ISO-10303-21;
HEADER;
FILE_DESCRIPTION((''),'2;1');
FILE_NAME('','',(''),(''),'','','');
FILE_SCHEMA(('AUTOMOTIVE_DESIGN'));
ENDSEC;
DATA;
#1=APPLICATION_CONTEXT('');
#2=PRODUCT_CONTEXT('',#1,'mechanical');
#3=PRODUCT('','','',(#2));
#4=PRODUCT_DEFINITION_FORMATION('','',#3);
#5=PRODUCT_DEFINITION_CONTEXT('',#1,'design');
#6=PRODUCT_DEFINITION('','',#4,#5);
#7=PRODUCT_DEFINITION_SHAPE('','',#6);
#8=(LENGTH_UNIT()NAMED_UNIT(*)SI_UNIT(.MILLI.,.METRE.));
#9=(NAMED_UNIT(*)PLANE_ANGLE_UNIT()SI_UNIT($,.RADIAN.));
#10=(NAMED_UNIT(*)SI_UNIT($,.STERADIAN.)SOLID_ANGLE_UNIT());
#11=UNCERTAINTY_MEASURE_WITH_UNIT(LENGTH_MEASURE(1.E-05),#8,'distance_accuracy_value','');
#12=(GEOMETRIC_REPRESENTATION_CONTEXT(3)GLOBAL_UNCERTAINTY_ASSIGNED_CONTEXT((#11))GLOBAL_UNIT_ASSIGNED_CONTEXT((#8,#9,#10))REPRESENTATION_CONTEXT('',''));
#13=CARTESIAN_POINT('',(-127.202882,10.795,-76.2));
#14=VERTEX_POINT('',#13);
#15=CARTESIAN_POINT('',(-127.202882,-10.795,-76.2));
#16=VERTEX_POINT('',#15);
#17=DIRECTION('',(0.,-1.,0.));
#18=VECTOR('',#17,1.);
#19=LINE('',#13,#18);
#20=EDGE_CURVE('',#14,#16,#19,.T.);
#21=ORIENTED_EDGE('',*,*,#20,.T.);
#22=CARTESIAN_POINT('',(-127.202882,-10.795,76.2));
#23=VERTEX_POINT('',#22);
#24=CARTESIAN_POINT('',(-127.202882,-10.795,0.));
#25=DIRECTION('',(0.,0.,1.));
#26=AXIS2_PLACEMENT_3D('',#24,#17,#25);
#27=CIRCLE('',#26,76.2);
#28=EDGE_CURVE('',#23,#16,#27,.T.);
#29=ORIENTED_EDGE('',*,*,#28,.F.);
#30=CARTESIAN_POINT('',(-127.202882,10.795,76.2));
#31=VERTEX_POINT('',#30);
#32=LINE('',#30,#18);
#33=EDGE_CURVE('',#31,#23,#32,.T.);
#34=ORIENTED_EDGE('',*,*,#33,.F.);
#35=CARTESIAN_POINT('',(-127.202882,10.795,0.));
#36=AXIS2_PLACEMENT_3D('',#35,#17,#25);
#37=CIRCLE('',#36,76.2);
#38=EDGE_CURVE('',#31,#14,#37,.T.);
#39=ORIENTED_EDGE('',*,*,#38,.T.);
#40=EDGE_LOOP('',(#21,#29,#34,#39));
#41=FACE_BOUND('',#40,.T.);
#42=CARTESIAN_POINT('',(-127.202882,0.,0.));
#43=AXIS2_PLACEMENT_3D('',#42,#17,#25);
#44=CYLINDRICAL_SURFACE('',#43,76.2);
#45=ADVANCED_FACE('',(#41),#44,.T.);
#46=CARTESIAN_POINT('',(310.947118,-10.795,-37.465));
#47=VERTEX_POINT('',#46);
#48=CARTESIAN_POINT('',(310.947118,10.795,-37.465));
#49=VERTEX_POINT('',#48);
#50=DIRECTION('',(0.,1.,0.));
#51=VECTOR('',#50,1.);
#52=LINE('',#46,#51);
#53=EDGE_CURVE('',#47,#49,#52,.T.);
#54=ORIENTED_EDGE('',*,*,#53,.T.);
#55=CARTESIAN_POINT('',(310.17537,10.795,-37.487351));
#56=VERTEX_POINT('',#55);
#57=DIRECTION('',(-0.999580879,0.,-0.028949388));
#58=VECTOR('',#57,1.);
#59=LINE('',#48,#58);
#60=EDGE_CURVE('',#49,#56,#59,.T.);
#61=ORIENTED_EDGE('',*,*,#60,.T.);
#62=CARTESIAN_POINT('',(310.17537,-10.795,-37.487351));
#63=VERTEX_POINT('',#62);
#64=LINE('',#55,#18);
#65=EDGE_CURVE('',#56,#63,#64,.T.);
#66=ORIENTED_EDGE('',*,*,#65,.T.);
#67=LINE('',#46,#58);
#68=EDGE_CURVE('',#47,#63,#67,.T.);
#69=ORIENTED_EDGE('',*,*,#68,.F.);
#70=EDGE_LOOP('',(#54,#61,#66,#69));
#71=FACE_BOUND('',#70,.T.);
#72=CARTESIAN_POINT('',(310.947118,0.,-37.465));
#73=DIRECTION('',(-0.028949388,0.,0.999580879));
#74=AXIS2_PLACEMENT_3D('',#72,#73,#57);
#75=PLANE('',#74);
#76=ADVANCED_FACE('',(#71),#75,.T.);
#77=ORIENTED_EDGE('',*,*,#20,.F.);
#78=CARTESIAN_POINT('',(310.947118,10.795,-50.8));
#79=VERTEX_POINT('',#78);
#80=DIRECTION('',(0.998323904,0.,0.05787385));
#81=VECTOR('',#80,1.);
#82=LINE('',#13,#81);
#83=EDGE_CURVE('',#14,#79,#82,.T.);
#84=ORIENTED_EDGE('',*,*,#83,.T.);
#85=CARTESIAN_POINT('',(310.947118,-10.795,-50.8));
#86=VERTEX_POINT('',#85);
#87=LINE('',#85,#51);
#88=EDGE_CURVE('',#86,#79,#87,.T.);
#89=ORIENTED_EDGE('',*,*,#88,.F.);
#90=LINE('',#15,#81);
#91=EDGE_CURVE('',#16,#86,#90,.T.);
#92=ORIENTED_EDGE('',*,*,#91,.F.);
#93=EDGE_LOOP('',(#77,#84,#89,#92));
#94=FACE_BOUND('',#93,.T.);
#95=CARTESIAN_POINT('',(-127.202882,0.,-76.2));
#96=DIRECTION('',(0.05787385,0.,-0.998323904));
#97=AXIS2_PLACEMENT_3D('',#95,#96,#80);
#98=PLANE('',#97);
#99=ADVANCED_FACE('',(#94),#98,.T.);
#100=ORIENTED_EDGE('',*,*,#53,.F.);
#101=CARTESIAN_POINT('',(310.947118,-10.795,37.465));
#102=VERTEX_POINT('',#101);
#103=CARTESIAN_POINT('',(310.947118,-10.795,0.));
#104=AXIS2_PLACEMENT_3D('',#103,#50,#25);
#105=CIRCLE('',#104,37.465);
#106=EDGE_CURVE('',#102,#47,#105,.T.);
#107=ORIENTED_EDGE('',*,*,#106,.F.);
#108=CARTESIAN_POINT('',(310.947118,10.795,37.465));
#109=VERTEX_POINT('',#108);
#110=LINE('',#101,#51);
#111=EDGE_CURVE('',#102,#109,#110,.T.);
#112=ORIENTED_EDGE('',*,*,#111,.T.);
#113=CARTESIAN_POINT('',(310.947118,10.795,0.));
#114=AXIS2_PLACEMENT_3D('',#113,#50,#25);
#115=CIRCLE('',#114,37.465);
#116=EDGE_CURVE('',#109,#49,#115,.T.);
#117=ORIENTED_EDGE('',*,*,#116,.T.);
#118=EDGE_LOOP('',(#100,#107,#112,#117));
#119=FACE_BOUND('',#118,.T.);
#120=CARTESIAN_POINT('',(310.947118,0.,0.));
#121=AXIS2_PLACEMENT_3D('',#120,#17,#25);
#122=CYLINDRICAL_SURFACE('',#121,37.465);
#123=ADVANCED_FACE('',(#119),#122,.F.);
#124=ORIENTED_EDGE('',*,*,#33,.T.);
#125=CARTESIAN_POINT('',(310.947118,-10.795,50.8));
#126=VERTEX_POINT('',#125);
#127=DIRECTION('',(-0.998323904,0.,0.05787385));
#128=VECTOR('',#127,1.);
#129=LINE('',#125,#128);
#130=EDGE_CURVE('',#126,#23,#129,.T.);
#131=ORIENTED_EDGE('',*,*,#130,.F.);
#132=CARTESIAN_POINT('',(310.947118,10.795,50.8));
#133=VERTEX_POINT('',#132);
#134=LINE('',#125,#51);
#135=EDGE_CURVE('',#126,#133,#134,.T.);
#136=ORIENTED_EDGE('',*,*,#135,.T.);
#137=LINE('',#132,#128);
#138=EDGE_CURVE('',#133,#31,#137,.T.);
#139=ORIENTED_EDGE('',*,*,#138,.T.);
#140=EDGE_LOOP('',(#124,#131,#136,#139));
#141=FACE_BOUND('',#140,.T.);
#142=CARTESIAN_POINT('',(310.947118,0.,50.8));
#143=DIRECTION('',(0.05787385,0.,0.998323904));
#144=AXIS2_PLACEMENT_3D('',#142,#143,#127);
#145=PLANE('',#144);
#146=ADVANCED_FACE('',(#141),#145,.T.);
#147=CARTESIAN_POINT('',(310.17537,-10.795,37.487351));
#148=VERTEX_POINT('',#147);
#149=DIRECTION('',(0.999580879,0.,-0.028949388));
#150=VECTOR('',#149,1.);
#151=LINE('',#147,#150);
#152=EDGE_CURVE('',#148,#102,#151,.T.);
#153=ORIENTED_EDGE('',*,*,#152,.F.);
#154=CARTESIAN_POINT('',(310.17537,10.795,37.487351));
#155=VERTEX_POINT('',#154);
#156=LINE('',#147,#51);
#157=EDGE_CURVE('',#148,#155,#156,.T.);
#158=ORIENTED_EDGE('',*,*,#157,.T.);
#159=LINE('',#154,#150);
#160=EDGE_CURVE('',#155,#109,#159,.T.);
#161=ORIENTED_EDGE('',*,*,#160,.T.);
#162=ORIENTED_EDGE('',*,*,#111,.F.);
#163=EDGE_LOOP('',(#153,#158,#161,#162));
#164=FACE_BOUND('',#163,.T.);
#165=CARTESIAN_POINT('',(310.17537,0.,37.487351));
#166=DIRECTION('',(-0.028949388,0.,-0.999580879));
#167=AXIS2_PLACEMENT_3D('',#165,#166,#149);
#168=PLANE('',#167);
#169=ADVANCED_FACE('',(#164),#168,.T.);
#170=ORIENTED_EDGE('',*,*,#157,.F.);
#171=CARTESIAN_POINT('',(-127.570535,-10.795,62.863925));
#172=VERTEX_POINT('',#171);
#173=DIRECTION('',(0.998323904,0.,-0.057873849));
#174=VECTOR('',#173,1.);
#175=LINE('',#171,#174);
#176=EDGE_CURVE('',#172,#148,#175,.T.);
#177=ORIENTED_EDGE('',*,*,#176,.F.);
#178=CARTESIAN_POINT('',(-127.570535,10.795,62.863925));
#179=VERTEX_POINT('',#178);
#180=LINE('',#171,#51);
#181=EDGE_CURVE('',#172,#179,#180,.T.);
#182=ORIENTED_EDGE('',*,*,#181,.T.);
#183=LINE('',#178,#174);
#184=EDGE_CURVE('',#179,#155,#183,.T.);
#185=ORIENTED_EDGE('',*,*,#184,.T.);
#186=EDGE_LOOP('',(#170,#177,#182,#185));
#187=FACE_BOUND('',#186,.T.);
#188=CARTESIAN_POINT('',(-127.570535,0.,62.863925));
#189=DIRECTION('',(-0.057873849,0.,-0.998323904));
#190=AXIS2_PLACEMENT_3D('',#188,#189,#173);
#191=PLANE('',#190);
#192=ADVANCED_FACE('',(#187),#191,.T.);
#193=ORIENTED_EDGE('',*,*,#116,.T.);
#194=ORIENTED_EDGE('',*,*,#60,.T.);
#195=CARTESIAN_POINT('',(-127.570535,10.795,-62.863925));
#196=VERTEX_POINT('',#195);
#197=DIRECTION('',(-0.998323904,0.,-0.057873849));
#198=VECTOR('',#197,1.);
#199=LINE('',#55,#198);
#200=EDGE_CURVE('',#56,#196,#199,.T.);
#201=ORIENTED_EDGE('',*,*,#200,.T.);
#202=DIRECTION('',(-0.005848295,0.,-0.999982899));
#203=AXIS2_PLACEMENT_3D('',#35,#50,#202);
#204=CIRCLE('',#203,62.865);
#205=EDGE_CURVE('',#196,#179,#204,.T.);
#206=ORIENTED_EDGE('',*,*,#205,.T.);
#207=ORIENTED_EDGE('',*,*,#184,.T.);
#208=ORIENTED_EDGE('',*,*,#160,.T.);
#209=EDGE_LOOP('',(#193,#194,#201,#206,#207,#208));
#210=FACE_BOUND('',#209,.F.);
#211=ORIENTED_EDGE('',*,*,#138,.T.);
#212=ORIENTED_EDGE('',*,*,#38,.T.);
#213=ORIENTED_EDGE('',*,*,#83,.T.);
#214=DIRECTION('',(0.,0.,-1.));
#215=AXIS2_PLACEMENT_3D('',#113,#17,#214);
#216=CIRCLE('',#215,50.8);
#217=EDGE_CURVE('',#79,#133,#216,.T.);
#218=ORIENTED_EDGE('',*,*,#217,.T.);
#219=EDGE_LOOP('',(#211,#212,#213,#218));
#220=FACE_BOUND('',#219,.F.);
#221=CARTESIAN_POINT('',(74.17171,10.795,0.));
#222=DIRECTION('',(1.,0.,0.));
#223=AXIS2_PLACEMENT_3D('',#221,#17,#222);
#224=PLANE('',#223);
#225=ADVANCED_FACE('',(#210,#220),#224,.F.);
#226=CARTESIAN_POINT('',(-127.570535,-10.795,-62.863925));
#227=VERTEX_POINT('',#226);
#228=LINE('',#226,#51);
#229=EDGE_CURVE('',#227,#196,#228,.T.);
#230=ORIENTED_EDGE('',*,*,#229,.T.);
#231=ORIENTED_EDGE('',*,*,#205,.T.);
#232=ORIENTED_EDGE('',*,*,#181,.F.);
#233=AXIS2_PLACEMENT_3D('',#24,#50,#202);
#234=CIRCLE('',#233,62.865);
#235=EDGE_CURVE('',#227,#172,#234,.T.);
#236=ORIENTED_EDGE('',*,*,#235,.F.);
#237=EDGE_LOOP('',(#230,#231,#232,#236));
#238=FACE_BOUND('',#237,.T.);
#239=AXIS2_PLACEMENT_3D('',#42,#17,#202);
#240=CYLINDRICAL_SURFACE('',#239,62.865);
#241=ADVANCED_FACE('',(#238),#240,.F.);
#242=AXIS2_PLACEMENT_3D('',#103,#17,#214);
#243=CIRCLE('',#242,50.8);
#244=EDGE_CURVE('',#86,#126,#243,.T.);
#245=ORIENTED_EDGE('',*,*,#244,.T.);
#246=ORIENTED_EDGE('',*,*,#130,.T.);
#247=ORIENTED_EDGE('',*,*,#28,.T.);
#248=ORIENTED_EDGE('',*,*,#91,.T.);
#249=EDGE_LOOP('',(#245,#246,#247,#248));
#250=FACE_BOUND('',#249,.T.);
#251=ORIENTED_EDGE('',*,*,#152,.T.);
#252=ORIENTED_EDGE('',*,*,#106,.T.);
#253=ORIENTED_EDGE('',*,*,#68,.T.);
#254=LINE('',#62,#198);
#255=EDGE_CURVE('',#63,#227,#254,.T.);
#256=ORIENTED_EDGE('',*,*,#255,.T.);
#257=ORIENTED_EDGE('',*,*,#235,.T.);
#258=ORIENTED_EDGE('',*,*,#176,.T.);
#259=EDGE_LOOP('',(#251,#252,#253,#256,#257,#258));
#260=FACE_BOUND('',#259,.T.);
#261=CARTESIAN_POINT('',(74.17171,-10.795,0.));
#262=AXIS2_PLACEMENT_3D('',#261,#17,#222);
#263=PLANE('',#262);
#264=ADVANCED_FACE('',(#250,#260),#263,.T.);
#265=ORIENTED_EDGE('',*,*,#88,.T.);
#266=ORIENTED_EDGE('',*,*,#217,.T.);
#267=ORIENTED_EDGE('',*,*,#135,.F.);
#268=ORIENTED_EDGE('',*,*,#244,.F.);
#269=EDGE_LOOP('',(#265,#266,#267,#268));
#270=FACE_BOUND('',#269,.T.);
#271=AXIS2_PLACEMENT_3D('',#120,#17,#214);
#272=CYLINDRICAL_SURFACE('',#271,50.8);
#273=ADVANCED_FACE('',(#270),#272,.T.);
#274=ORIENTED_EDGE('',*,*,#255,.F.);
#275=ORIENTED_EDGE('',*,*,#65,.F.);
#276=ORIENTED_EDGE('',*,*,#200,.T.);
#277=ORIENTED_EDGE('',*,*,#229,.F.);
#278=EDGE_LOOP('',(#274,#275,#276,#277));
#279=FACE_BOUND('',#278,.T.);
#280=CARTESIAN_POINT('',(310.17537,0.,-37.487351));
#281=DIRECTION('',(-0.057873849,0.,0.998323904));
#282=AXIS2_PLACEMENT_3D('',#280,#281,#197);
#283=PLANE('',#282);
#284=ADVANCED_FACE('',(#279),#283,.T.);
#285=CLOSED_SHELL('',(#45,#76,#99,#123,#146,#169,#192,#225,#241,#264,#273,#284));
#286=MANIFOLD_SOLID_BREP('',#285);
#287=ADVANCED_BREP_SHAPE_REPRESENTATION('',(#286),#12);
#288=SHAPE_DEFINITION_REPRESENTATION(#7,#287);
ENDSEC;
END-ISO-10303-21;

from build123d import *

# Parameters (mm, degrees)
F1_DEPTH = 10.795


with BuildPart() as f1:
    # F0 (on Front) → F1 (new body, symmetric)
    with BuildSketch(Plane.XZ):
        with BuildLine():
            Line((310.947118, 50.8), (-127.202882, 76.2))
            ThreePointArc((-127.202882, 76.2), (-203.402882, 0), (-127.202882, -76.2))
            Line((-127.202882, -76.2), (310.947118, -50.8))
            ThreePointArc((310.947118, -50.8), (361.747118, 0), (310.947118, 50.8))
        make_face()
        with BuildLine():
            Line((310.17537, -37.487351), (-127.570535, -62.863925))
            ThreePointArc((-127.570535, -62.863925), (-190.067882, 0), (-127.570535, 62.863925))
            Line((-127.570535, 62.863925), (310.17537, 37.487351))
            Line((310.17537, 37.487351), (310.947118, 37.465))
            ThreePointArc((310.947118, 37.465), (348.412118, 0), (310.947118, -37.465))
            Line((310.947118, -37.465), (310.17537, -37.487351))
        make_face(mode=Mode.SUBTRACT)
    extrude(amount=F1_DEPTH, both=True)


solid = f1.part
